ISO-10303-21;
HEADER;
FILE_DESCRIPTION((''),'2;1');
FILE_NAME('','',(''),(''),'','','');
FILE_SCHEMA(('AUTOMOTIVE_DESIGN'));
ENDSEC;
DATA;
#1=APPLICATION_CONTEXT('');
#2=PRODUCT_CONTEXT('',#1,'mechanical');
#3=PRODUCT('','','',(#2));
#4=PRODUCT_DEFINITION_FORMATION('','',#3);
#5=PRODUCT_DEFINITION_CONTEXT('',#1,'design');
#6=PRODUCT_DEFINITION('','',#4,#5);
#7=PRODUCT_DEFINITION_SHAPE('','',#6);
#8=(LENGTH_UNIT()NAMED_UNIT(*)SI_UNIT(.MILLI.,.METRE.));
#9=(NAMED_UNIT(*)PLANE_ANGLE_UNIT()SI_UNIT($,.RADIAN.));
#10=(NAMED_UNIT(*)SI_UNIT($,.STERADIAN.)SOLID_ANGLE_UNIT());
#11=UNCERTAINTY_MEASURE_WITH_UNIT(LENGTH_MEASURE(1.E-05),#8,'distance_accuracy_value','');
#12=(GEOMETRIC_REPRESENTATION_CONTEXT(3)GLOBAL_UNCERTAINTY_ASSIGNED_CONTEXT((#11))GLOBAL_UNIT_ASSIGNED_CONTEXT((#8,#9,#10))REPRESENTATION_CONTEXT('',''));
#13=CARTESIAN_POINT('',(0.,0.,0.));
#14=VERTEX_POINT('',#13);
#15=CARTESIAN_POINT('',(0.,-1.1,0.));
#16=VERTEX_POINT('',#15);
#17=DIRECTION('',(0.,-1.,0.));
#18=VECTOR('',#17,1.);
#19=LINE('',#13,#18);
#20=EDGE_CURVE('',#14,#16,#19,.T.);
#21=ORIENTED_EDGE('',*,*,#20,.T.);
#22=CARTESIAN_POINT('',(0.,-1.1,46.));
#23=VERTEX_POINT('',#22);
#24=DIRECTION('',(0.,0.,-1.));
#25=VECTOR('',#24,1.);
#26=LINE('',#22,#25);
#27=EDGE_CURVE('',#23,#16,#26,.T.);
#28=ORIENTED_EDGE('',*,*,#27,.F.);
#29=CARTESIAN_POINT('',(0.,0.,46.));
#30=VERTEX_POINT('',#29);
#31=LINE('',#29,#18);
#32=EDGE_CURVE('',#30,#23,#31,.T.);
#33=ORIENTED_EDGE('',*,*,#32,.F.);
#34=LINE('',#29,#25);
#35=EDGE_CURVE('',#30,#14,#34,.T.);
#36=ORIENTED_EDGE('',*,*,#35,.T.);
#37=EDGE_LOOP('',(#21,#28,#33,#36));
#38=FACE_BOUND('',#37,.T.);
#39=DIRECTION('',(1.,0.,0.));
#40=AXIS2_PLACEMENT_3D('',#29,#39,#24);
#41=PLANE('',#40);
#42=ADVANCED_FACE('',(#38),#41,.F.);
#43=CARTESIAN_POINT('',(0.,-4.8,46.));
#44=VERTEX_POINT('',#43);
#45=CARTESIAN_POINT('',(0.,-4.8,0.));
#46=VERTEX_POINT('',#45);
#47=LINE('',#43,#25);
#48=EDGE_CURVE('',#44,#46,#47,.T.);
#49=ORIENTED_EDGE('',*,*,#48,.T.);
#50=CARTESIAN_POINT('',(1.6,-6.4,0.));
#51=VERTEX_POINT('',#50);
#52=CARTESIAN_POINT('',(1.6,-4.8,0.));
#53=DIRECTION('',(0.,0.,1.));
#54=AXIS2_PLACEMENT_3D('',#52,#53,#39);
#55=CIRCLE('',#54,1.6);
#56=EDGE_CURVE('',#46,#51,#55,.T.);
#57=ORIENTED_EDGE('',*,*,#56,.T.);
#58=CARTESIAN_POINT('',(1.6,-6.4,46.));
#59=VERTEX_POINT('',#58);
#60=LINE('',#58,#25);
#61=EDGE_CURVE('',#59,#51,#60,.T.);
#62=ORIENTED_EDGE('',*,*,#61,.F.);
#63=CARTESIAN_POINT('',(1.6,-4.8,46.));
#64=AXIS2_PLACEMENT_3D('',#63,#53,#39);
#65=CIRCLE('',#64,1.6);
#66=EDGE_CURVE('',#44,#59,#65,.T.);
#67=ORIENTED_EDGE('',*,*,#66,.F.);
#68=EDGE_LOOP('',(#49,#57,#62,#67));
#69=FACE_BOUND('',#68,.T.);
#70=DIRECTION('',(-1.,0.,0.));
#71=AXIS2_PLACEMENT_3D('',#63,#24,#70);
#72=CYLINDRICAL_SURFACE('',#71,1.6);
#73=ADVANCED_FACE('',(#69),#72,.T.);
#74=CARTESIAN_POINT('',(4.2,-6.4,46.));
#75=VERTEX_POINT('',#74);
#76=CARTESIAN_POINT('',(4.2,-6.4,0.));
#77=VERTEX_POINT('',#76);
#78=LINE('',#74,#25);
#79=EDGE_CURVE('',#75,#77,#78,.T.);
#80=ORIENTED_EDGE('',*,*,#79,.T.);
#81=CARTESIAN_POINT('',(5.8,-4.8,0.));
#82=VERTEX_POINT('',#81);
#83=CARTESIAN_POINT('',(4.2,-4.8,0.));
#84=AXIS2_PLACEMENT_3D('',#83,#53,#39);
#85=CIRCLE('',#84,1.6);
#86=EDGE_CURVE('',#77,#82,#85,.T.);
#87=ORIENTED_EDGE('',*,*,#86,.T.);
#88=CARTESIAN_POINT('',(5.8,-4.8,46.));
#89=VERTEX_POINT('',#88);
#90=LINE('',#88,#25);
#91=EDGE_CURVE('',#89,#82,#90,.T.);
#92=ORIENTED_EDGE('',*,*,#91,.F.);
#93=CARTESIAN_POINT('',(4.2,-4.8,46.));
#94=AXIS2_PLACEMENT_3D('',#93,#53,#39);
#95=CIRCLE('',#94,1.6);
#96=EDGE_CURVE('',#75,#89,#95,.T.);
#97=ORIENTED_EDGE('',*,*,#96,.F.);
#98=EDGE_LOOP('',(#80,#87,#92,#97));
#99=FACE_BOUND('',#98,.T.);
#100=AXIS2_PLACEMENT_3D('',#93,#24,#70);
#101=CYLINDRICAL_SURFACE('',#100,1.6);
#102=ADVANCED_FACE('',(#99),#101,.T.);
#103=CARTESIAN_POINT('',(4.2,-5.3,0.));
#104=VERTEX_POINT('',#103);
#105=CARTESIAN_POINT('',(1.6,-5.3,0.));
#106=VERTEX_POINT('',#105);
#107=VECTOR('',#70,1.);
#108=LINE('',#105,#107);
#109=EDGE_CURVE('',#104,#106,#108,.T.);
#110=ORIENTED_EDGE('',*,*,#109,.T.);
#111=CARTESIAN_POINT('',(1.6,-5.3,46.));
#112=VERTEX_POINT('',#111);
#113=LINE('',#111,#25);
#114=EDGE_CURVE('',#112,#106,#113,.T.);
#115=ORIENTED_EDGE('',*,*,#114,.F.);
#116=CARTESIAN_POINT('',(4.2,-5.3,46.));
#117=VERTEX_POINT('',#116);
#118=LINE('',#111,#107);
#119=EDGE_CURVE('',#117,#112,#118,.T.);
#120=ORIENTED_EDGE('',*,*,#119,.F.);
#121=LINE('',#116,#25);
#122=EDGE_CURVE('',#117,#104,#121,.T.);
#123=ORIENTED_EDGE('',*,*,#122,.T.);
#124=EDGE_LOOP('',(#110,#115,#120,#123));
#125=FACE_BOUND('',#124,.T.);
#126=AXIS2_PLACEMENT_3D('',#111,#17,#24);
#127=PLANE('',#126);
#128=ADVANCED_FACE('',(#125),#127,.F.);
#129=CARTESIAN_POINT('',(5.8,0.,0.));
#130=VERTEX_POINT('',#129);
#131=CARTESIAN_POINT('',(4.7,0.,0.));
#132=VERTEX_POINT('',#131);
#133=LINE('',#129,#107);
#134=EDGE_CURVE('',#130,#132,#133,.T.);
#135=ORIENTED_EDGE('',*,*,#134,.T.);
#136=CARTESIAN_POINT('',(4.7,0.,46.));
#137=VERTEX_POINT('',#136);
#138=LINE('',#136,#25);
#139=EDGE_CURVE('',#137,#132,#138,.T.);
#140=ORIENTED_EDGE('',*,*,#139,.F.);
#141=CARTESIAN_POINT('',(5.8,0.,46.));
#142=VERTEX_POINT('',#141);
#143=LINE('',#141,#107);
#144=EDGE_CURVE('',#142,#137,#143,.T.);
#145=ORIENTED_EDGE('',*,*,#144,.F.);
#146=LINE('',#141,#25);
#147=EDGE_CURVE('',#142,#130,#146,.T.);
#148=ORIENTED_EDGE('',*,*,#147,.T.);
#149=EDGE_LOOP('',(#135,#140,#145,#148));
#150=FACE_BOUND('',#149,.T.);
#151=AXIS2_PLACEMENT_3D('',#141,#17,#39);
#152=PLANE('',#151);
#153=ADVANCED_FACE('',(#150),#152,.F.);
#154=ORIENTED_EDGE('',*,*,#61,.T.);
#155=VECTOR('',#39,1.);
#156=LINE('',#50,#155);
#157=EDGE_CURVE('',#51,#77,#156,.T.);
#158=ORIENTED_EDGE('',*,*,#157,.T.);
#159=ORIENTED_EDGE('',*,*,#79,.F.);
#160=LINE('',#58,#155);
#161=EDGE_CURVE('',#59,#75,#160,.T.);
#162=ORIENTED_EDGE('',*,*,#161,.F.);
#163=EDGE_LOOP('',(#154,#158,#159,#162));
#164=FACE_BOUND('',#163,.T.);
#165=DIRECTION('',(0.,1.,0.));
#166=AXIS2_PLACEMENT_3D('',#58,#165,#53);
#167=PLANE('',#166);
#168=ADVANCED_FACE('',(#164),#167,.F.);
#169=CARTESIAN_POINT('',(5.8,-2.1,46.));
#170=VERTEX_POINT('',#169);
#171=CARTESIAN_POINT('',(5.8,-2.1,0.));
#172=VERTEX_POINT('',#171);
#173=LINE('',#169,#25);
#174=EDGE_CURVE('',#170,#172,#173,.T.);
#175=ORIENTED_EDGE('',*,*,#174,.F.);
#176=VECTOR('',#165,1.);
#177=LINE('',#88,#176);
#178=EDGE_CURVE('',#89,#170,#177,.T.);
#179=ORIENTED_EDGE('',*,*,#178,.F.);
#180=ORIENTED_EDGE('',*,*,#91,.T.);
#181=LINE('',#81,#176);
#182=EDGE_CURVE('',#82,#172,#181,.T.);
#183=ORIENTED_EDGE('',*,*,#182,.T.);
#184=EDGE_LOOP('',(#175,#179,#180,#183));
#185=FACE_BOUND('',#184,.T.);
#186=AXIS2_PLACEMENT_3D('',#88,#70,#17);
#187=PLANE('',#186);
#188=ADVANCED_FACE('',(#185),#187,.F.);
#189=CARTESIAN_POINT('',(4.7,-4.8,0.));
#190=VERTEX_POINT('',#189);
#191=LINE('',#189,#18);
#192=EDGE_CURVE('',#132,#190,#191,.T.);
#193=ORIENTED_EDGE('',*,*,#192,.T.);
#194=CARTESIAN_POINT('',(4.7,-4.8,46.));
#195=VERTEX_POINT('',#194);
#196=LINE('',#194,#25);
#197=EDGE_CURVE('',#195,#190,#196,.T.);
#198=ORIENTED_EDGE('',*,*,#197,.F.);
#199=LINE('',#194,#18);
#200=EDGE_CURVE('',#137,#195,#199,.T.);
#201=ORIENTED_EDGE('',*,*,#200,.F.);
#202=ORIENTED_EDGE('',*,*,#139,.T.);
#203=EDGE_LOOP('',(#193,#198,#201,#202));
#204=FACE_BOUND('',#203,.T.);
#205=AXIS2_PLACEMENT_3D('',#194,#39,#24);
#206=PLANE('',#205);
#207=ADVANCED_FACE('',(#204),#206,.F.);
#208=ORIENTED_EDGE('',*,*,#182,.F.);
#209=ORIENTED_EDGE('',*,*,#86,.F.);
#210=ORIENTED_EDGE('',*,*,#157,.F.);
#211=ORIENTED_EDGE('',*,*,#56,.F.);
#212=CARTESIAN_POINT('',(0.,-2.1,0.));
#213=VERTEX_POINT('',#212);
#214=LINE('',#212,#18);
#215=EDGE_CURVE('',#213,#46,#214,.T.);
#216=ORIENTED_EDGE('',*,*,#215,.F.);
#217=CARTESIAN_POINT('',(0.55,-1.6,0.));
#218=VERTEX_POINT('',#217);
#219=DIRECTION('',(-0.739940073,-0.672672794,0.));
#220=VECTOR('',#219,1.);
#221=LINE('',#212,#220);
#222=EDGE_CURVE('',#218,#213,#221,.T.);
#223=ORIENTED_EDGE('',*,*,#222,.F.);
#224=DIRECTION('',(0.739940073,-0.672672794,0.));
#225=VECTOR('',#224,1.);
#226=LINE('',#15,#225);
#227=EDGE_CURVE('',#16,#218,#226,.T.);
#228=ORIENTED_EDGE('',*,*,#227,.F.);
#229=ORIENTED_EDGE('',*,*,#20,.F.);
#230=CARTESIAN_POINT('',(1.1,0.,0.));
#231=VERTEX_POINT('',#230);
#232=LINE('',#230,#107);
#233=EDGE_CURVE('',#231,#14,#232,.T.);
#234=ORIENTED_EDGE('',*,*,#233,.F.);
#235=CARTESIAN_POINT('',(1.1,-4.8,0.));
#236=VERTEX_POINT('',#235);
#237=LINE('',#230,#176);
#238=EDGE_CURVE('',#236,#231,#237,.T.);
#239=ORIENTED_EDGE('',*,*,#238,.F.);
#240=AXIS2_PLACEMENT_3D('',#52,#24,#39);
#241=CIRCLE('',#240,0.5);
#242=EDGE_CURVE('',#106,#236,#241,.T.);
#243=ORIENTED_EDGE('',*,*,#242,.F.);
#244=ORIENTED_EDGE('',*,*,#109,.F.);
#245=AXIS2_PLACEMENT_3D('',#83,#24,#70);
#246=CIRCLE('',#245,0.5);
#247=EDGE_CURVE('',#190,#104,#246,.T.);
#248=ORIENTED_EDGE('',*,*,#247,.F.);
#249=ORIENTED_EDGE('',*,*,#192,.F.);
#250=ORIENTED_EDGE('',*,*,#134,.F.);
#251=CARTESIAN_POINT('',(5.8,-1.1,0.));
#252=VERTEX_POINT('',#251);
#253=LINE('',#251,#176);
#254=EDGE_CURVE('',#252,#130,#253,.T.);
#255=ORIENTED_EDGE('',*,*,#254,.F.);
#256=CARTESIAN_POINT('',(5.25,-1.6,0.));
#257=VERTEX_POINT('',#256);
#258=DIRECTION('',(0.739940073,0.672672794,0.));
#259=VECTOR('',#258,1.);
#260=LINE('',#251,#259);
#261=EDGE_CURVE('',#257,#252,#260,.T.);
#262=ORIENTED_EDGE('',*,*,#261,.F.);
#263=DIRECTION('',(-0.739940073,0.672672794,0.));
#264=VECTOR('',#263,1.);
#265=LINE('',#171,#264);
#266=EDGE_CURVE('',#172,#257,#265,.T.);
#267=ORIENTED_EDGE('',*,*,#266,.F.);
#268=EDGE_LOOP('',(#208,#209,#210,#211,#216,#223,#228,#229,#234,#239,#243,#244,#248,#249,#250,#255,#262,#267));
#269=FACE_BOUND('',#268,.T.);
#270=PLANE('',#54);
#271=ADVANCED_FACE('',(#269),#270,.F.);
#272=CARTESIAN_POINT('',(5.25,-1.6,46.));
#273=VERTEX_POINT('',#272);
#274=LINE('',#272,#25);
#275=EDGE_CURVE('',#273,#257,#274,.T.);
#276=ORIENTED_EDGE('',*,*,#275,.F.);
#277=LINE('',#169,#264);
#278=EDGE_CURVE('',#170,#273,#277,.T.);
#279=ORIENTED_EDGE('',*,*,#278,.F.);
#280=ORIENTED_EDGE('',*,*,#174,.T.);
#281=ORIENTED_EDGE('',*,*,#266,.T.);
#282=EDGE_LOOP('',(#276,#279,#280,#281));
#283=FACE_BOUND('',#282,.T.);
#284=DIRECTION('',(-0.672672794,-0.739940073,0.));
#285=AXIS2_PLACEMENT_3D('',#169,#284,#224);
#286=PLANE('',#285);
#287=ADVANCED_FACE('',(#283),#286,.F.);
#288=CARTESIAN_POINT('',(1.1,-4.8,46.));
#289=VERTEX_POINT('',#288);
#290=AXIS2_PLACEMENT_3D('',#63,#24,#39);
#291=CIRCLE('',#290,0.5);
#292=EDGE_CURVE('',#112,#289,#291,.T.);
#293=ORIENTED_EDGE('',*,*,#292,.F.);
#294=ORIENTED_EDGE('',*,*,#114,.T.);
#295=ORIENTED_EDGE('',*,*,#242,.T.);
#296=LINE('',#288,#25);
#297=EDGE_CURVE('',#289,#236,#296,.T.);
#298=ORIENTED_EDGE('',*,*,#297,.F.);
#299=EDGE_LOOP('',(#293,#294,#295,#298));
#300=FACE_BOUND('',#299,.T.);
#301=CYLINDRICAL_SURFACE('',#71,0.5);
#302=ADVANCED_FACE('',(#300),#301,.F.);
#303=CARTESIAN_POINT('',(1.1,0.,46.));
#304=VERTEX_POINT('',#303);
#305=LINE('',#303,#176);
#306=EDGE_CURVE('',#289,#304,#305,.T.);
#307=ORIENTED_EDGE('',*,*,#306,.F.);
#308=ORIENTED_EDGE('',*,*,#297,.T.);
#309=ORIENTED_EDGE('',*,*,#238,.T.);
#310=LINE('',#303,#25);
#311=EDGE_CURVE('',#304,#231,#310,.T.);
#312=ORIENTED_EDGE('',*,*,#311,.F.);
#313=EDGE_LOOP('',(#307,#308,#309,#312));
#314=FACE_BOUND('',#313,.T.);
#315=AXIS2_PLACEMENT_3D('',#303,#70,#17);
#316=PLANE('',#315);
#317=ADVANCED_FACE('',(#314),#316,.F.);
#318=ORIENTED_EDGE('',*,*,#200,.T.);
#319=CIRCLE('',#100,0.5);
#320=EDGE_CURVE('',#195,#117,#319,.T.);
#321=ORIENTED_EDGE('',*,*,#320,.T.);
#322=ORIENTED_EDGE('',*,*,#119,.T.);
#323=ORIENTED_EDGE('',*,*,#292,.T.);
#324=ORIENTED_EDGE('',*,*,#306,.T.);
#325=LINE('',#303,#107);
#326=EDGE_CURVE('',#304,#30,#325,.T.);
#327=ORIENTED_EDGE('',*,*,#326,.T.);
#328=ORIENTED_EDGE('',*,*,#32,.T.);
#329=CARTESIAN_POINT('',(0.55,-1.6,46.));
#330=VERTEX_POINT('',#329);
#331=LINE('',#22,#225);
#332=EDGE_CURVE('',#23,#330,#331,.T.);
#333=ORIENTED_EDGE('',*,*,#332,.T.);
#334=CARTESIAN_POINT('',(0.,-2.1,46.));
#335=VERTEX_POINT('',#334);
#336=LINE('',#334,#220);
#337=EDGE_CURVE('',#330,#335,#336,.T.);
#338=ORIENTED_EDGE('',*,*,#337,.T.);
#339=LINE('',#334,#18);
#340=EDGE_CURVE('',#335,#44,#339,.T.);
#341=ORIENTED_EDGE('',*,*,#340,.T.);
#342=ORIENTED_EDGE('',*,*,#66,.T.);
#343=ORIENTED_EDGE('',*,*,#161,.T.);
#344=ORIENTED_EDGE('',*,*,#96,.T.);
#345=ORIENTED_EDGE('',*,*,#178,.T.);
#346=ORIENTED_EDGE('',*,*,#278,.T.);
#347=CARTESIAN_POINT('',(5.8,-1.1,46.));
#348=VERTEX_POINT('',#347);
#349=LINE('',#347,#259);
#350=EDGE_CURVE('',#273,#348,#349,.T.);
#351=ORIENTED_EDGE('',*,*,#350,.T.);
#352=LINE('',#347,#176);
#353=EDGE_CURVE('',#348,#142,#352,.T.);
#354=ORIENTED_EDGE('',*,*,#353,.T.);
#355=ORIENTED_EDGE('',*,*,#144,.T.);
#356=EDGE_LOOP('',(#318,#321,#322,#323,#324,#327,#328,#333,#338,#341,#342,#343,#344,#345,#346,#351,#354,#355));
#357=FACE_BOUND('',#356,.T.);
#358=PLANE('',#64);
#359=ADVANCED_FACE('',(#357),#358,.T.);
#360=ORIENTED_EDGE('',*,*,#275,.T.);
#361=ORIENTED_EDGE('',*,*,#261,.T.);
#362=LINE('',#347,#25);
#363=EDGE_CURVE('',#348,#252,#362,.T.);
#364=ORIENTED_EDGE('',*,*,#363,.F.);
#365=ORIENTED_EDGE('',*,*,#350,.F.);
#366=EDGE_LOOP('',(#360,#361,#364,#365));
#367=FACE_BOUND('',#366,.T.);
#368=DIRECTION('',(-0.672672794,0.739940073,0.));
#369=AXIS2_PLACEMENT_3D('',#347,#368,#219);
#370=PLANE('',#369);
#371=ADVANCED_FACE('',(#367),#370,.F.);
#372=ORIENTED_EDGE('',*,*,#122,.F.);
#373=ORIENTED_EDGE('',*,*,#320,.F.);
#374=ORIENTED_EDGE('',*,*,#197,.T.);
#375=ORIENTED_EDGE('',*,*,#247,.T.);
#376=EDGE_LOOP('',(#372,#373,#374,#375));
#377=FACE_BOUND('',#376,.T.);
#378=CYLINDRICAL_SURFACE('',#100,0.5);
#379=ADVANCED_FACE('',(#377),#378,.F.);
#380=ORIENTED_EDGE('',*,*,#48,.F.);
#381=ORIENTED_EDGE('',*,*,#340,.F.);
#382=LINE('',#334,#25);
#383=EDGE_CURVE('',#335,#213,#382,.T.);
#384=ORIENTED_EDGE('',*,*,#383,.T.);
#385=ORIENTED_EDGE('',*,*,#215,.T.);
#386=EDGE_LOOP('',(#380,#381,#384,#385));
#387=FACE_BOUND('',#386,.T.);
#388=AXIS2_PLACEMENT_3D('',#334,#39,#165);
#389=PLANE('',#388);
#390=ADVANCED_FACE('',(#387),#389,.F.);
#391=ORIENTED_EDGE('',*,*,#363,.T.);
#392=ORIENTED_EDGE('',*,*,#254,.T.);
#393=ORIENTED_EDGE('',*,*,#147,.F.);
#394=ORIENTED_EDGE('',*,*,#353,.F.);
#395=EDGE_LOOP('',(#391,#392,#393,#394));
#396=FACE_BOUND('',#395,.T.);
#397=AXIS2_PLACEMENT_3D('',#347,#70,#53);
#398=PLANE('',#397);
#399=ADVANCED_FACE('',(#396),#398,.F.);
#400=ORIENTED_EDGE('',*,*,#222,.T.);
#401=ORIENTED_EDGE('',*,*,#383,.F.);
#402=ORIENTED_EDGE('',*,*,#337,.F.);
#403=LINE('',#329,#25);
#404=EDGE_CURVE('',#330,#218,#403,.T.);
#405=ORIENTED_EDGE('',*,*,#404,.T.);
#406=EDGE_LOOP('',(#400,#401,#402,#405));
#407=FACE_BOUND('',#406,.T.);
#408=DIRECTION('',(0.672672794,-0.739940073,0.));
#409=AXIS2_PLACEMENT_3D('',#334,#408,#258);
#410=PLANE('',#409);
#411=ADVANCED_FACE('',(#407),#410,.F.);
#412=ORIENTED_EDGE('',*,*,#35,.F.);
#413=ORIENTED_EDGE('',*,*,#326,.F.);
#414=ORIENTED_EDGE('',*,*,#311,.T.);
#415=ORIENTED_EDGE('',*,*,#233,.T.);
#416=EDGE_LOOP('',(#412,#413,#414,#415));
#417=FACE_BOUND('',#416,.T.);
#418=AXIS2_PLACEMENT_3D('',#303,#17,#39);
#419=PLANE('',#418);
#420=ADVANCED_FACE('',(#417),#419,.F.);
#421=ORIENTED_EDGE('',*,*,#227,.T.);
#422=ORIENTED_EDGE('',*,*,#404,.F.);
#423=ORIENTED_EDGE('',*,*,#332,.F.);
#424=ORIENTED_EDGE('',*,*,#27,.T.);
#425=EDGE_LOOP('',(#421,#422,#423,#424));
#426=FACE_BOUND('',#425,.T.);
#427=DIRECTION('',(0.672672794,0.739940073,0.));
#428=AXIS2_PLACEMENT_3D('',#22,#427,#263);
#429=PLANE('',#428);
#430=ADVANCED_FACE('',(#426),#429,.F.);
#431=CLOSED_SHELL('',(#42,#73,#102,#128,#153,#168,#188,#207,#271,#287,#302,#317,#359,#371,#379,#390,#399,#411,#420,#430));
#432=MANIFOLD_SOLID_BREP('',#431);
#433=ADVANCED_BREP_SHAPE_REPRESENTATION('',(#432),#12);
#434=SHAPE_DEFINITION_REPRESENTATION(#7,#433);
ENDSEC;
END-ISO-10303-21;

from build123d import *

# Parameters (mm, degrees)
EXTRUSION1_DEPTH = 46


with BuildPart() as part:
    # Esquisse1 → Extrusion1 (new body)
    with BuildSketch(Plane.XY):
        with BuildLine():
            Line((4.7, -4.8), (4.7, 0))
            Line((4.7, 0), (5.8, 0))
            Line((5.8, 0), (5.8, -1.1))
            Line((5.8, -1.1), (5.25, -1.6))
            Line((5.25, -1.6), (5.8, -2.1))
            Line((5.8, -2.1), (5.8, -4.8))
            ThreePointArc((5.8, -4.8), (5.33137085, -5.93137085), (4.2, -6.4))
            Line((4.2, -6.4), (1.6, -6.4))
            ThreePointArc((1.6, -6.4), (0.46862915, -5.93137085), (0, -4.8))
            Line((0, -4.8), (0, -2.1))
            Line((0, -2.1), (0.55, -1.6))
            Line((0.55, -1.6), (0, -1.1))
            Line((0, -1.1), (0, 0))
            Line((0, 0), (1.1, 0))
            Line((1.1, 0), (1.1, -4.8))
            ThreePointArc((1.1, -4.8), (1.246446609, -5.153553391), (1.6, -5.3))
            Line((1.6, -5.3), (4.2, -5.3))
            ThreePointArc((4.2, -5.3), (4.553553391, -5.153553391), (4.7, -4.8))
        make_face()
    extrude(amount=EXTRUSION1_DEPTH)


solid = part.part
